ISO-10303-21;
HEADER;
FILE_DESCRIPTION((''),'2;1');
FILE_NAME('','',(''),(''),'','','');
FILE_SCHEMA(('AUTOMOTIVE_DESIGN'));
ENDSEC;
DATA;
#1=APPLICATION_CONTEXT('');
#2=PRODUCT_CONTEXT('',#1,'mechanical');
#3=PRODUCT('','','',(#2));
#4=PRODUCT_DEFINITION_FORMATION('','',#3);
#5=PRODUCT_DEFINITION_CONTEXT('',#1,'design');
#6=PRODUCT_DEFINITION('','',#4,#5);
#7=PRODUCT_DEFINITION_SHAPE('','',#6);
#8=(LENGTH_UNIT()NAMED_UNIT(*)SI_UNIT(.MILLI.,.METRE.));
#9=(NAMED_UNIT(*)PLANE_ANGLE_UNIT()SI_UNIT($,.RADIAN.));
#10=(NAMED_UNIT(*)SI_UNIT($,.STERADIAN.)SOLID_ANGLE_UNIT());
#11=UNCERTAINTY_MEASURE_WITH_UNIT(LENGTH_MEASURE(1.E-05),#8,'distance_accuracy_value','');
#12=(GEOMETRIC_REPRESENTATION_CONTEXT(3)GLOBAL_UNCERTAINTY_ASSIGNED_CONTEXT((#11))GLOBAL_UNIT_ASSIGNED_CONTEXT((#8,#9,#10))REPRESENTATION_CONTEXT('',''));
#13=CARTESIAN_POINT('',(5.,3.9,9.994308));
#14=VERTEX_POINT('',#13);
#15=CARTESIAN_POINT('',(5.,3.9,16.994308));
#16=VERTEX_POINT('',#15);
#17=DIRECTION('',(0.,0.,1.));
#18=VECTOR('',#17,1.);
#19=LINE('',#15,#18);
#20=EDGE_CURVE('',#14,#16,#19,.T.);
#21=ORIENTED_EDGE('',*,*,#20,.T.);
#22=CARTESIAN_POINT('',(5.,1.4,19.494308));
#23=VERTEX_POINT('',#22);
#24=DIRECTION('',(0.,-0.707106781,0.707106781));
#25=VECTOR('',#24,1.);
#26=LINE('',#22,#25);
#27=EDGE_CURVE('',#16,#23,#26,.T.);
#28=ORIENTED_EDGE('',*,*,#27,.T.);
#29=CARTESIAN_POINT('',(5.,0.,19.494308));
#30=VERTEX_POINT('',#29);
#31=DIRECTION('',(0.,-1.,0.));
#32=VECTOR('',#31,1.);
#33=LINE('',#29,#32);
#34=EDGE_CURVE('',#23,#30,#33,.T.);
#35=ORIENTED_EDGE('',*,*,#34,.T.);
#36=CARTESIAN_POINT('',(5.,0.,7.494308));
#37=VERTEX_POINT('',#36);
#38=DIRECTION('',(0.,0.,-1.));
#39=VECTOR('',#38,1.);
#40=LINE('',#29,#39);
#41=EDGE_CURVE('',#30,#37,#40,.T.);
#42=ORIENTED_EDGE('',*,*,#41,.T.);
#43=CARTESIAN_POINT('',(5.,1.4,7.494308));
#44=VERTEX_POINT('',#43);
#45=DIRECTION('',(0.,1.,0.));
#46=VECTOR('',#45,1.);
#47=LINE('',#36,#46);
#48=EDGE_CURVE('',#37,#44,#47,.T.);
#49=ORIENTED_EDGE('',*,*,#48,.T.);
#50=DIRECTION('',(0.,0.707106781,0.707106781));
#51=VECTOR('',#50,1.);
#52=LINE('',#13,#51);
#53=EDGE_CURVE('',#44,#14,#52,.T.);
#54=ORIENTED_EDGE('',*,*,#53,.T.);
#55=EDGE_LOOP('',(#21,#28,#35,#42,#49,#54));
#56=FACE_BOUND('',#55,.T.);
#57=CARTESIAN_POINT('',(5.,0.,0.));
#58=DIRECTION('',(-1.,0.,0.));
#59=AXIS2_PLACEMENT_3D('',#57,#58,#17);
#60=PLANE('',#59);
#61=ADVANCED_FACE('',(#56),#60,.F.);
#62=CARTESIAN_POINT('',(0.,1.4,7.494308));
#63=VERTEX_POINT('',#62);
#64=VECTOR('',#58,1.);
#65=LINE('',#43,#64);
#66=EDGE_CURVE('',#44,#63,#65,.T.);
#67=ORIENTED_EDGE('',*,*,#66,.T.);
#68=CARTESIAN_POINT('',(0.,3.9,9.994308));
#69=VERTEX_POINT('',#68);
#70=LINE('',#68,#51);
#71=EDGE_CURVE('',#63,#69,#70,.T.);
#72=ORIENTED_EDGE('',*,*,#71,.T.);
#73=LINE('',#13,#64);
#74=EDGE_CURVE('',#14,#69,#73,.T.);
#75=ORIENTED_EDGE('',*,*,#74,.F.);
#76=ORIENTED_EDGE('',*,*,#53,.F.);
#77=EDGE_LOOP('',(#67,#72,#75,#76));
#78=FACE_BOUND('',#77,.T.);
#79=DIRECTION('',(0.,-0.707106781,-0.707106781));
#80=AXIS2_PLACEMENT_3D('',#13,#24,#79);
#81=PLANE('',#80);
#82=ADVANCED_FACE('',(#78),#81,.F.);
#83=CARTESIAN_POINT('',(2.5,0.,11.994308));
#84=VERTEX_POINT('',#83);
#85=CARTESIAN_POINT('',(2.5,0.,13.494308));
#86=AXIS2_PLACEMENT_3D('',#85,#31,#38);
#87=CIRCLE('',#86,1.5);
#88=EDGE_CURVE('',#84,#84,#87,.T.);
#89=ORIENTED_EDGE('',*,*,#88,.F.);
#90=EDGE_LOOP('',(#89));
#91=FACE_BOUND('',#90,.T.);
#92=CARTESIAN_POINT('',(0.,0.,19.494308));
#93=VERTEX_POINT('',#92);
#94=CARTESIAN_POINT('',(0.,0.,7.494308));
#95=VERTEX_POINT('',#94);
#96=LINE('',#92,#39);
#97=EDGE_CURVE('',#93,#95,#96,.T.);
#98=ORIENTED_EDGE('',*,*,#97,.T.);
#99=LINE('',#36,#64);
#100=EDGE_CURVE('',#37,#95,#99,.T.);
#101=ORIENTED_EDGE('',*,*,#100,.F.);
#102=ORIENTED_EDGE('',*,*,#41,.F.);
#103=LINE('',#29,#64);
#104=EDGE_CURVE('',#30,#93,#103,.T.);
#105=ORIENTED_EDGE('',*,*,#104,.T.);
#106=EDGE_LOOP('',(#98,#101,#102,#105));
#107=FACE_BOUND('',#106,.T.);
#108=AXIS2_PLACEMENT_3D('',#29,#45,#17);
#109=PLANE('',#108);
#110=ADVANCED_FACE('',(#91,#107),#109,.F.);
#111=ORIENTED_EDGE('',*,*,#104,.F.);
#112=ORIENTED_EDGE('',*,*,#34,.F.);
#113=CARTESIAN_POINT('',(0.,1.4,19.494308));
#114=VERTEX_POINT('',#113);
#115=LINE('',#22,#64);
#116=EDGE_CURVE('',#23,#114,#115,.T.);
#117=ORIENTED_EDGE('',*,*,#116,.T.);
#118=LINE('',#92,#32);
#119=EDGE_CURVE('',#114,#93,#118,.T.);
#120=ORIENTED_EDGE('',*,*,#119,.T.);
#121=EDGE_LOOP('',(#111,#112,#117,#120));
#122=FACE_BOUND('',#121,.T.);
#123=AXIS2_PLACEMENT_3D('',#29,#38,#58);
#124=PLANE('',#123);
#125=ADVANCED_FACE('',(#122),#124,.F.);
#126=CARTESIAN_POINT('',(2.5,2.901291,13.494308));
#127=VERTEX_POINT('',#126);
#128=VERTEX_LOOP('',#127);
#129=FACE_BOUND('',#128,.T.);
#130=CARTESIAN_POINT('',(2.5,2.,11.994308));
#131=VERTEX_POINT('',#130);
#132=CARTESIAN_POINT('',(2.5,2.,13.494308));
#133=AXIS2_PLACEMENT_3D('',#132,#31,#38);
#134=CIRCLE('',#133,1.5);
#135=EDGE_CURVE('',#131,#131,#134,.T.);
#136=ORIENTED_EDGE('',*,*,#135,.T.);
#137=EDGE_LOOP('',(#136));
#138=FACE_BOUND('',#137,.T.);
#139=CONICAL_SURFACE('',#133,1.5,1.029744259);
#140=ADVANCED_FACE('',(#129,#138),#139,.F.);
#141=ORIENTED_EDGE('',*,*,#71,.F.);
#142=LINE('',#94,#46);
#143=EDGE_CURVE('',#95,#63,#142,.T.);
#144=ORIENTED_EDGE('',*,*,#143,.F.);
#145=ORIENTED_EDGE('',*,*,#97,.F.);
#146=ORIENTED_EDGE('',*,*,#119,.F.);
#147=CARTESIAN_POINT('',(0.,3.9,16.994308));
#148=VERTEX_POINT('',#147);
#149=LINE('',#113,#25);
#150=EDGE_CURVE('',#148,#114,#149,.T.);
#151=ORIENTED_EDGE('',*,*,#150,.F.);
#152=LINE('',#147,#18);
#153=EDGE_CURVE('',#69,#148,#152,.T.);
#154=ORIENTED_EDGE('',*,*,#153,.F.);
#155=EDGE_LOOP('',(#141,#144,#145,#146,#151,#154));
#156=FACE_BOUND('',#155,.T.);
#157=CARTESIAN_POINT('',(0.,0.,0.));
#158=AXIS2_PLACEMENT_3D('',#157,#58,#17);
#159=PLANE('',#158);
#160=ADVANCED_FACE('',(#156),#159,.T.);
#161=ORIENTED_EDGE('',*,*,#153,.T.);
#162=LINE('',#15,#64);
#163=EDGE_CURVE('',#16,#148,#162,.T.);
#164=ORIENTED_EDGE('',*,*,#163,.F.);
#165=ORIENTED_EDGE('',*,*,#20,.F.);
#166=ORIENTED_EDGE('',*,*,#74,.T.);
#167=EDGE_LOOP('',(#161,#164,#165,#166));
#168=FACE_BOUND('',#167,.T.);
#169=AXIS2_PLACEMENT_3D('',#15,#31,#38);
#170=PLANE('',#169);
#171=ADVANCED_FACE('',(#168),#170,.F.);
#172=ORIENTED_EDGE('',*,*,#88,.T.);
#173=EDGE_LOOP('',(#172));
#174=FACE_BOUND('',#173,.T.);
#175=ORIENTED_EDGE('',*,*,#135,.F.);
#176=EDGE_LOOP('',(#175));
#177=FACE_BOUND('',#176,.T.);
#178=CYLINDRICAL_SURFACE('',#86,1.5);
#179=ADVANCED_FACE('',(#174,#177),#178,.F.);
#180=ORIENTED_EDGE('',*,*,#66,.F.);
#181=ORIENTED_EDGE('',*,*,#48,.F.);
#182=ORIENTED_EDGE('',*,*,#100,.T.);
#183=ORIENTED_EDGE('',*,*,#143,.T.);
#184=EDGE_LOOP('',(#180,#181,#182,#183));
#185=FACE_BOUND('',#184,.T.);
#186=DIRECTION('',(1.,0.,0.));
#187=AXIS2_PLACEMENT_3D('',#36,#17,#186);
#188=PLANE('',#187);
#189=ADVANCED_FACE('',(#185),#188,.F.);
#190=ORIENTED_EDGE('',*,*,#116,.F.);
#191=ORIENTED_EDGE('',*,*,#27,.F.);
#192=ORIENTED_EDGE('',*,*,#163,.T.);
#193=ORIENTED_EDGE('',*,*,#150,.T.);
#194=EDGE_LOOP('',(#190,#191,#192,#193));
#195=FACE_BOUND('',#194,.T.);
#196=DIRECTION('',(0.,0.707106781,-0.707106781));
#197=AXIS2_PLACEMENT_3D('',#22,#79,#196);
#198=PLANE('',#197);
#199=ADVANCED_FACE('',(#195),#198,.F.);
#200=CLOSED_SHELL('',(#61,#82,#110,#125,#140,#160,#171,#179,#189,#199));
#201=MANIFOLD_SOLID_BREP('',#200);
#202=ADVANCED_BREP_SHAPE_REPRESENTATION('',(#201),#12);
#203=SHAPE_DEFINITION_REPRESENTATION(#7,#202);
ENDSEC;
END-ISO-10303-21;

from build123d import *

# Parameters (mm, degrees)
BOSS_EXTRUDE1_DEPTH       = 5
F_3_0MM_DOWEL_HOLE1_D     = 3
F_3_0MM_DOWEL_HOLE1_DEPTH = 2
F_3_0MM_DOWEL_HOLE1_TIP   = 0.901290929


with BuildPart() as part:
    # Sketch1 → Boss-Extrude1 (new body)
    with BuildSketch(Plane(origin=(0, 0, 0), x_dir=(0, 0, -1), z_dir=(1, 0, 0))):
        Polygon((-19.494308289, 0), (-7.494308289, 0), (-7.494308289, 1.4), (-9.994308289, 3.9), (-16.994308289, 3.9), (-19.494308289, 1.4), align=None)
    extrude(amount=BOSS_EXTRUDE1_DEPTH)

    # Ø3.0mm Dowel Hole1
    with Locations(Plane(origin=(0, 0, 0), x_dir=(-1, 0, 0), z_dir=(0, -1, 0))):
        with Locations((-2.5, -13.494308289)):
            Hole(F_3_0MM_DOWEL_HOLE1_D / 2, depth=F_3_0MM_DOWEL_HOLE1_DEPTH)
            with Locations((0, 0, -(F_3_0MM_DOWEL_HOLE1_DEPTH + F_3_0MM_DOWEL_HOLE1_TIP / 2))):  # 118° drill point
                Cone(0, F_3_0MM_DOWEL_HOLE1_D / 2, F_3_0MM_DOWEL_HOLE1_TIP, mode=Mode.SUBTRACT)


solid = part.part
